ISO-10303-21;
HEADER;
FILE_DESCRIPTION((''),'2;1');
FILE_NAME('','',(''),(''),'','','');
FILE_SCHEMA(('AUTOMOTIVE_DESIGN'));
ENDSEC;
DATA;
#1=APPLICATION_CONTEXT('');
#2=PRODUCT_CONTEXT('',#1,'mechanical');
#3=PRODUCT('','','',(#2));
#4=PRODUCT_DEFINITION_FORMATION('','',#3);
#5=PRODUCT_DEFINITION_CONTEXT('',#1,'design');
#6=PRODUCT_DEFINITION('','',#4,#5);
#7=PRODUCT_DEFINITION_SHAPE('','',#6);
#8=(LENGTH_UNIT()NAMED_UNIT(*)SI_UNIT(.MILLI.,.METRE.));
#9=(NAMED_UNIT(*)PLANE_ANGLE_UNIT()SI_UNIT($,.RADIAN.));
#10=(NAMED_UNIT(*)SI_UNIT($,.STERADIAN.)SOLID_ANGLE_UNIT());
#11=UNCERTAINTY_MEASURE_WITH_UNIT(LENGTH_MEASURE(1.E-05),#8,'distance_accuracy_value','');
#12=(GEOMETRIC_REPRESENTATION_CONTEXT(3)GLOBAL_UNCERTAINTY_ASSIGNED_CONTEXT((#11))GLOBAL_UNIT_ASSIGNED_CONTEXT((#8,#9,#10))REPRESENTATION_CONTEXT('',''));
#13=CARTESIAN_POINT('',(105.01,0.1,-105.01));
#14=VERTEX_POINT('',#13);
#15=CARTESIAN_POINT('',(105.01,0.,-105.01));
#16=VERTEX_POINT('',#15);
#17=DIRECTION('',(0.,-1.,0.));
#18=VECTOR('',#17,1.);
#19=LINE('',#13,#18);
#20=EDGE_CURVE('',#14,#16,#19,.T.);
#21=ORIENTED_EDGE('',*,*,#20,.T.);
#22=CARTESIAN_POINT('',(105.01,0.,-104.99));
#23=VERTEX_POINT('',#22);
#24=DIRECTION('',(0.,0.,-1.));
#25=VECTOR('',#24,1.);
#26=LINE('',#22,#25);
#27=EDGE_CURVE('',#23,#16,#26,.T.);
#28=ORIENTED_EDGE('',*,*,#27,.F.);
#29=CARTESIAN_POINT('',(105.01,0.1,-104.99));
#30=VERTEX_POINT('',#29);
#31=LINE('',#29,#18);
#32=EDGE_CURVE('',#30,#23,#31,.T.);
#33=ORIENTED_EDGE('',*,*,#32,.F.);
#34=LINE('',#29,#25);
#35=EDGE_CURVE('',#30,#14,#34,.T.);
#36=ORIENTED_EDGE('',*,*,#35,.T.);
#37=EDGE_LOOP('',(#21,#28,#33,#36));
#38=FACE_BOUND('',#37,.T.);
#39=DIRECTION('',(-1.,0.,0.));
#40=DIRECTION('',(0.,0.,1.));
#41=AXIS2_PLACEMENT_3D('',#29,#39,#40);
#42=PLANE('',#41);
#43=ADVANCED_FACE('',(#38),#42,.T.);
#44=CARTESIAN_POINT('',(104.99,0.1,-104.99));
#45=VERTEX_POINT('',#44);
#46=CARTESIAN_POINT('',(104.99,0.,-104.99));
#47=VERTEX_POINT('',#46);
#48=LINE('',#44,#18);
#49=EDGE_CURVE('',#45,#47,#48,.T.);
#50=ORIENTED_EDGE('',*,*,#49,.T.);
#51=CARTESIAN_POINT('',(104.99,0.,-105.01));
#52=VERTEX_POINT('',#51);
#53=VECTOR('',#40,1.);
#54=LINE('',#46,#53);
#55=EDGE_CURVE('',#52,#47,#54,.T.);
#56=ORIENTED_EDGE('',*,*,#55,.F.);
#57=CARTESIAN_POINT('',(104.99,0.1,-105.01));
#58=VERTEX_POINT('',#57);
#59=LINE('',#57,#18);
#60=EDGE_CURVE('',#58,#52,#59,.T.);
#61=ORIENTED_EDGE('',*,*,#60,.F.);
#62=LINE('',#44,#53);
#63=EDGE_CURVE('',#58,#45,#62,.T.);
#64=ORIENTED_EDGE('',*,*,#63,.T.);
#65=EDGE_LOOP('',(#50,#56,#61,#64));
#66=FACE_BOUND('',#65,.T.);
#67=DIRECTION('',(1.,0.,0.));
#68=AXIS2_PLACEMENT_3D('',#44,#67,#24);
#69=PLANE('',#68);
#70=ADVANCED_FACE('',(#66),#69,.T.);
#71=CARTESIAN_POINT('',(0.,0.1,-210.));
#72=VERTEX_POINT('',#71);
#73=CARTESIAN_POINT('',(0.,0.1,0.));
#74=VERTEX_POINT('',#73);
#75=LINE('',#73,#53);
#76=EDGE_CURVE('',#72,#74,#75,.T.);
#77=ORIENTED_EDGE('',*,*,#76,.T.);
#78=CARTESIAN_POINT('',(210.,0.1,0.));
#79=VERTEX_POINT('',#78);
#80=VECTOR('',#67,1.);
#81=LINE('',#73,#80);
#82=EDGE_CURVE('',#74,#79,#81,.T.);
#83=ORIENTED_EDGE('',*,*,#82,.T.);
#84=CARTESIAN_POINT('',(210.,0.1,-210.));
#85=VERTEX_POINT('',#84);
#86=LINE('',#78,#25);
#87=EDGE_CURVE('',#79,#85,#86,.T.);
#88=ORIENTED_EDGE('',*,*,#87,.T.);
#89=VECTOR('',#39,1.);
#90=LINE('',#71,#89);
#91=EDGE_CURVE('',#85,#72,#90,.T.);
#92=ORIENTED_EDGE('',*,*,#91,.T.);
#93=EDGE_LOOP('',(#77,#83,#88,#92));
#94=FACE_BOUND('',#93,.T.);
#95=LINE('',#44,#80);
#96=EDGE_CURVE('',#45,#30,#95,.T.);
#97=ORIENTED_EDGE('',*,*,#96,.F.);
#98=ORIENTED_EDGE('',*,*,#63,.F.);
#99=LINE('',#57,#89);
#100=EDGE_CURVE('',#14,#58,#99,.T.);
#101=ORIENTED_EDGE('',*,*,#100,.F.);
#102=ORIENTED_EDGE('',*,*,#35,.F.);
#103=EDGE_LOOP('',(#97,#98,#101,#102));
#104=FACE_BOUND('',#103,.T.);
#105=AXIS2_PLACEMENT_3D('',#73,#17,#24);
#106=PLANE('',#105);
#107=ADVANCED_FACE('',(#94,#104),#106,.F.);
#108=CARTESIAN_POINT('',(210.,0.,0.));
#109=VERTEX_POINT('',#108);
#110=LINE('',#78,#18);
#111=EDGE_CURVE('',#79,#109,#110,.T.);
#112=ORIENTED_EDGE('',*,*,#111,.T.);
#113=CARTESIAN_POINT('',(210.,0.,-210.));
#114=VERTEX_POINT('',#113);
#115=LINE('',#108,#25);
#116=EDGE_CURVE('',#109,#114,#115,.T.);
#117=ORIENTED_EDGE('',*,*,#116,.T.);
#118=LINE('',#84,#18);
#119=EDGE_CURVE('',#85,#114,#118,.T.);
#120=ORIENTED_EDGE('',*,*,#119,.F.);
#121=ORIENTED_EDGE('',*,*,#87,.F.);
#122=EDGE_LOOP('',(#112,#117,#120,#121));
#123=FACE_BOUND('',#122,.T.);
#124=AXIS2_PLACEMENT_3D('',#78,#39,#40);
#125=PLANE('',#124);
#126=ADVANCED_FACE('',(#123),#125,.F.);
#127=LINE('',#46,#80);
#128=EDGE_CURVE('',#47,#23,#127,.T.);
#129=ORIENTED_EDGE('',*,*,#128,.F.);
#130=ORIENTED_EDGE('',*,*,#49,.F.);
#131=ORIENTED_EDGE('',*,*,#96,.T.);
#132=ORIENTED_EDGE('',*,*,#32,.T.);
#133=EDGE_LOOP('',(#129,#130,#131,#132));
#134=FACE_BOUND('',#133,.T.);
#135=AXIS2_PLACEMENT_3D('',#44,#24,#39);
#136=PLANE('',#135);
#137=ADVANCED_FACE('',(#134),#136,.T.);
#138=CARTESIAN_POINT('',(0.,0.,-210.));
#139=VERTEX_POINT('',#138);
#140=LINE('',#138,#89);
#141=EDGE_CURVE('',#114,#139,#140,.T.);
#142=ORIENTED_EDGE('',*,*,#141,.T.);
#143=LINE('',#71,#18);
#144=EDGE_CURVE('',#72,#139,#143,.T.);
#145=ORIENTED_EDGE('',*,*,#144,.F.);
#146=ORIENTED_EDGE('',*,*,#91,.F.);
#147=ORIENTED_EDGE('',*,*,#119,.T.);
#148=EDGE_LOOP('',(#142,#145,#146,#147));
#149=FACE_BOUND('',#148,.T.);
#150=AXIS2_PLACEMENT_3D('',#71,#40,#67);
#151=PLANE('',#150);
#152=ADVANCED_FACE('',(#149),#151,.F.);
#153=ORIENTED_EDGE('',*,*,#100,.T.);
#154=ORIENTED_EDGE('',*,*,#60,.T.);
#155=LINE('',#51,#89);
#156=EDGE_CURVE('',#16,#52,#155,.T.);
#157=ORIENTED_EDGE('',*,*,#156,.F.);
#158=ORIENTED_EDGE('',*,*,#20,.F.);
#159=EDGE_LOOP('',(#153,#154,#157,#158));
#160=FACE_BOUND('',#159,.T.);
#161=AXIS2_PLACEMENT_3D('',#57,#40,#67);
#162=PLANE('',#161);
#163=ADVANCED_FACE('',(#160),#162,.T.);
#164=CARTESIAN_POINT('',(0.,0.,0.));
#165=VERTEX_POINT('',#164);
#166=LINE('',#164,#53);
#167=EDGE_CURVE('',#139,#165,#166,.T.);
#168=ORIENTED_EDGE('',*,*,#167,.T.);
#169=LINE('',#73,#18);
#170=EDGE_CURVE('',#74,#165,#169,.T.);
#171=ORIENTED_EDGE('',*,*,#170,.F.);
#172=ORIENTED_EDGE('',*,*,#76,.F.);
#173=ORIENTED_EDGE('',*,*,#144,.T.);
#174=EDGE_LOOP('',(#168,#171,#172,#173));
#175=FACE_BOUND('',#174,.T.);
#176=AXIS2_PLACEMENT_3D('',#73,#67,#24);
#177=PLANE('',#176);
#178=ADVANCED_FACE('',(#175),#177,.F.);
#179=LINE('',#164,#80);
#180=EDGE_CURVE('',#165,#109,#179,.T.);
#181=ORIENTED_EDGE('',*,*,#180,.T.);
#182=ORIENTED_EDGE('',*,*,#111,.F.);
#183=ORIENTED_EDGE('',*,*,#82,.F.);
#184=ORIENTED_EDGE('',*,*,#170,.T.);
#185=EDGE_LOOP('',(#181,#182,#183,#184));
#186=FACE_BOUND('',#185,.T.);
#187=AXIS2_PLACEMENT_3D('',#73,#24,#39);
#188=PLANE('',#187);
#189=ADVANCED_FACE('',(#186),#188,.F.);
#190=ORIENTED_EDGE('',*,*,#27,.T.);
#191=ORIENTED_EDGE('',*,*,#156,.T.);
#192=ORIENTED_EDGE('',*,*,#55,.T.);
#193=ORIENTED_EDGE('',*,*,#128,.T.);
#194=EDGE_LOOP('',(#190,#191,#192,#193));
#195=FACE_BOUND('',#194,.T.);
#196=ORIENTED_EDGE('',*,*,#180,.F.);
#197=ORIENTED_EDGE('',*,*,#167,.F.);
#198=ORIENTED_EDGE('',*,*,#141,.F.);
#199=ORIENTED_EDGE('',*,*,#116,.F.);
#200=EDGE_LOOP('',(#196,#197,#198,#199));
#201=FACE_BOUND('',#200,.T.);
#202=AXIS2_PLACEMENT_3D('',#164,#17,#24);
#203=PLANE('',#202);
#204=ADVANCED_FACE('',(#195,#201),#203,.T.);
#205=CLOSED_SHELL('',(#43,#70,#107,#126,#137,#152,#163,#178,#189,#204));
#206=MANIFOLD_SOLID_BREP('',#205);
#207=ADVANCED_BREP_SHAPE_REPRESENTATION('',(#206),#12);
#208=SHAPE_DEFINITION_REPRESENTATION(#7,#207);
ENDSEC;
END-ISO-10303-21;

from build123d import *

# Parameters (mm, degrees)
SKETCH1_W           = 210
SKETCH1_H           = 210
SKETCH1_W_2         = 0.02
SKETCH1_H_2         = 0.02
BOSS_EXTRUDE1_DEPTH = 0.1


with BuildPart() as part:
    # Sketch1 → Boss-Extrude1 (new body)
    with BuildSketch(Plane(origin=(0, 0, 0), x_dir=(1, 0, 0), z_dir=(0, 1, 0))):
        with Locations((105, 105)):
            Rectangle(SKETCH1_W, SKETCH1_H)
        with Locations((105, 105)):
            Rectangle(SKETCH1_W_2, SKETCH1_H_2, mode=Mode.SUBTRACT)
    extrude(amount=BOSS_EXTRUDE1_DEPTH)


solid = part.part
